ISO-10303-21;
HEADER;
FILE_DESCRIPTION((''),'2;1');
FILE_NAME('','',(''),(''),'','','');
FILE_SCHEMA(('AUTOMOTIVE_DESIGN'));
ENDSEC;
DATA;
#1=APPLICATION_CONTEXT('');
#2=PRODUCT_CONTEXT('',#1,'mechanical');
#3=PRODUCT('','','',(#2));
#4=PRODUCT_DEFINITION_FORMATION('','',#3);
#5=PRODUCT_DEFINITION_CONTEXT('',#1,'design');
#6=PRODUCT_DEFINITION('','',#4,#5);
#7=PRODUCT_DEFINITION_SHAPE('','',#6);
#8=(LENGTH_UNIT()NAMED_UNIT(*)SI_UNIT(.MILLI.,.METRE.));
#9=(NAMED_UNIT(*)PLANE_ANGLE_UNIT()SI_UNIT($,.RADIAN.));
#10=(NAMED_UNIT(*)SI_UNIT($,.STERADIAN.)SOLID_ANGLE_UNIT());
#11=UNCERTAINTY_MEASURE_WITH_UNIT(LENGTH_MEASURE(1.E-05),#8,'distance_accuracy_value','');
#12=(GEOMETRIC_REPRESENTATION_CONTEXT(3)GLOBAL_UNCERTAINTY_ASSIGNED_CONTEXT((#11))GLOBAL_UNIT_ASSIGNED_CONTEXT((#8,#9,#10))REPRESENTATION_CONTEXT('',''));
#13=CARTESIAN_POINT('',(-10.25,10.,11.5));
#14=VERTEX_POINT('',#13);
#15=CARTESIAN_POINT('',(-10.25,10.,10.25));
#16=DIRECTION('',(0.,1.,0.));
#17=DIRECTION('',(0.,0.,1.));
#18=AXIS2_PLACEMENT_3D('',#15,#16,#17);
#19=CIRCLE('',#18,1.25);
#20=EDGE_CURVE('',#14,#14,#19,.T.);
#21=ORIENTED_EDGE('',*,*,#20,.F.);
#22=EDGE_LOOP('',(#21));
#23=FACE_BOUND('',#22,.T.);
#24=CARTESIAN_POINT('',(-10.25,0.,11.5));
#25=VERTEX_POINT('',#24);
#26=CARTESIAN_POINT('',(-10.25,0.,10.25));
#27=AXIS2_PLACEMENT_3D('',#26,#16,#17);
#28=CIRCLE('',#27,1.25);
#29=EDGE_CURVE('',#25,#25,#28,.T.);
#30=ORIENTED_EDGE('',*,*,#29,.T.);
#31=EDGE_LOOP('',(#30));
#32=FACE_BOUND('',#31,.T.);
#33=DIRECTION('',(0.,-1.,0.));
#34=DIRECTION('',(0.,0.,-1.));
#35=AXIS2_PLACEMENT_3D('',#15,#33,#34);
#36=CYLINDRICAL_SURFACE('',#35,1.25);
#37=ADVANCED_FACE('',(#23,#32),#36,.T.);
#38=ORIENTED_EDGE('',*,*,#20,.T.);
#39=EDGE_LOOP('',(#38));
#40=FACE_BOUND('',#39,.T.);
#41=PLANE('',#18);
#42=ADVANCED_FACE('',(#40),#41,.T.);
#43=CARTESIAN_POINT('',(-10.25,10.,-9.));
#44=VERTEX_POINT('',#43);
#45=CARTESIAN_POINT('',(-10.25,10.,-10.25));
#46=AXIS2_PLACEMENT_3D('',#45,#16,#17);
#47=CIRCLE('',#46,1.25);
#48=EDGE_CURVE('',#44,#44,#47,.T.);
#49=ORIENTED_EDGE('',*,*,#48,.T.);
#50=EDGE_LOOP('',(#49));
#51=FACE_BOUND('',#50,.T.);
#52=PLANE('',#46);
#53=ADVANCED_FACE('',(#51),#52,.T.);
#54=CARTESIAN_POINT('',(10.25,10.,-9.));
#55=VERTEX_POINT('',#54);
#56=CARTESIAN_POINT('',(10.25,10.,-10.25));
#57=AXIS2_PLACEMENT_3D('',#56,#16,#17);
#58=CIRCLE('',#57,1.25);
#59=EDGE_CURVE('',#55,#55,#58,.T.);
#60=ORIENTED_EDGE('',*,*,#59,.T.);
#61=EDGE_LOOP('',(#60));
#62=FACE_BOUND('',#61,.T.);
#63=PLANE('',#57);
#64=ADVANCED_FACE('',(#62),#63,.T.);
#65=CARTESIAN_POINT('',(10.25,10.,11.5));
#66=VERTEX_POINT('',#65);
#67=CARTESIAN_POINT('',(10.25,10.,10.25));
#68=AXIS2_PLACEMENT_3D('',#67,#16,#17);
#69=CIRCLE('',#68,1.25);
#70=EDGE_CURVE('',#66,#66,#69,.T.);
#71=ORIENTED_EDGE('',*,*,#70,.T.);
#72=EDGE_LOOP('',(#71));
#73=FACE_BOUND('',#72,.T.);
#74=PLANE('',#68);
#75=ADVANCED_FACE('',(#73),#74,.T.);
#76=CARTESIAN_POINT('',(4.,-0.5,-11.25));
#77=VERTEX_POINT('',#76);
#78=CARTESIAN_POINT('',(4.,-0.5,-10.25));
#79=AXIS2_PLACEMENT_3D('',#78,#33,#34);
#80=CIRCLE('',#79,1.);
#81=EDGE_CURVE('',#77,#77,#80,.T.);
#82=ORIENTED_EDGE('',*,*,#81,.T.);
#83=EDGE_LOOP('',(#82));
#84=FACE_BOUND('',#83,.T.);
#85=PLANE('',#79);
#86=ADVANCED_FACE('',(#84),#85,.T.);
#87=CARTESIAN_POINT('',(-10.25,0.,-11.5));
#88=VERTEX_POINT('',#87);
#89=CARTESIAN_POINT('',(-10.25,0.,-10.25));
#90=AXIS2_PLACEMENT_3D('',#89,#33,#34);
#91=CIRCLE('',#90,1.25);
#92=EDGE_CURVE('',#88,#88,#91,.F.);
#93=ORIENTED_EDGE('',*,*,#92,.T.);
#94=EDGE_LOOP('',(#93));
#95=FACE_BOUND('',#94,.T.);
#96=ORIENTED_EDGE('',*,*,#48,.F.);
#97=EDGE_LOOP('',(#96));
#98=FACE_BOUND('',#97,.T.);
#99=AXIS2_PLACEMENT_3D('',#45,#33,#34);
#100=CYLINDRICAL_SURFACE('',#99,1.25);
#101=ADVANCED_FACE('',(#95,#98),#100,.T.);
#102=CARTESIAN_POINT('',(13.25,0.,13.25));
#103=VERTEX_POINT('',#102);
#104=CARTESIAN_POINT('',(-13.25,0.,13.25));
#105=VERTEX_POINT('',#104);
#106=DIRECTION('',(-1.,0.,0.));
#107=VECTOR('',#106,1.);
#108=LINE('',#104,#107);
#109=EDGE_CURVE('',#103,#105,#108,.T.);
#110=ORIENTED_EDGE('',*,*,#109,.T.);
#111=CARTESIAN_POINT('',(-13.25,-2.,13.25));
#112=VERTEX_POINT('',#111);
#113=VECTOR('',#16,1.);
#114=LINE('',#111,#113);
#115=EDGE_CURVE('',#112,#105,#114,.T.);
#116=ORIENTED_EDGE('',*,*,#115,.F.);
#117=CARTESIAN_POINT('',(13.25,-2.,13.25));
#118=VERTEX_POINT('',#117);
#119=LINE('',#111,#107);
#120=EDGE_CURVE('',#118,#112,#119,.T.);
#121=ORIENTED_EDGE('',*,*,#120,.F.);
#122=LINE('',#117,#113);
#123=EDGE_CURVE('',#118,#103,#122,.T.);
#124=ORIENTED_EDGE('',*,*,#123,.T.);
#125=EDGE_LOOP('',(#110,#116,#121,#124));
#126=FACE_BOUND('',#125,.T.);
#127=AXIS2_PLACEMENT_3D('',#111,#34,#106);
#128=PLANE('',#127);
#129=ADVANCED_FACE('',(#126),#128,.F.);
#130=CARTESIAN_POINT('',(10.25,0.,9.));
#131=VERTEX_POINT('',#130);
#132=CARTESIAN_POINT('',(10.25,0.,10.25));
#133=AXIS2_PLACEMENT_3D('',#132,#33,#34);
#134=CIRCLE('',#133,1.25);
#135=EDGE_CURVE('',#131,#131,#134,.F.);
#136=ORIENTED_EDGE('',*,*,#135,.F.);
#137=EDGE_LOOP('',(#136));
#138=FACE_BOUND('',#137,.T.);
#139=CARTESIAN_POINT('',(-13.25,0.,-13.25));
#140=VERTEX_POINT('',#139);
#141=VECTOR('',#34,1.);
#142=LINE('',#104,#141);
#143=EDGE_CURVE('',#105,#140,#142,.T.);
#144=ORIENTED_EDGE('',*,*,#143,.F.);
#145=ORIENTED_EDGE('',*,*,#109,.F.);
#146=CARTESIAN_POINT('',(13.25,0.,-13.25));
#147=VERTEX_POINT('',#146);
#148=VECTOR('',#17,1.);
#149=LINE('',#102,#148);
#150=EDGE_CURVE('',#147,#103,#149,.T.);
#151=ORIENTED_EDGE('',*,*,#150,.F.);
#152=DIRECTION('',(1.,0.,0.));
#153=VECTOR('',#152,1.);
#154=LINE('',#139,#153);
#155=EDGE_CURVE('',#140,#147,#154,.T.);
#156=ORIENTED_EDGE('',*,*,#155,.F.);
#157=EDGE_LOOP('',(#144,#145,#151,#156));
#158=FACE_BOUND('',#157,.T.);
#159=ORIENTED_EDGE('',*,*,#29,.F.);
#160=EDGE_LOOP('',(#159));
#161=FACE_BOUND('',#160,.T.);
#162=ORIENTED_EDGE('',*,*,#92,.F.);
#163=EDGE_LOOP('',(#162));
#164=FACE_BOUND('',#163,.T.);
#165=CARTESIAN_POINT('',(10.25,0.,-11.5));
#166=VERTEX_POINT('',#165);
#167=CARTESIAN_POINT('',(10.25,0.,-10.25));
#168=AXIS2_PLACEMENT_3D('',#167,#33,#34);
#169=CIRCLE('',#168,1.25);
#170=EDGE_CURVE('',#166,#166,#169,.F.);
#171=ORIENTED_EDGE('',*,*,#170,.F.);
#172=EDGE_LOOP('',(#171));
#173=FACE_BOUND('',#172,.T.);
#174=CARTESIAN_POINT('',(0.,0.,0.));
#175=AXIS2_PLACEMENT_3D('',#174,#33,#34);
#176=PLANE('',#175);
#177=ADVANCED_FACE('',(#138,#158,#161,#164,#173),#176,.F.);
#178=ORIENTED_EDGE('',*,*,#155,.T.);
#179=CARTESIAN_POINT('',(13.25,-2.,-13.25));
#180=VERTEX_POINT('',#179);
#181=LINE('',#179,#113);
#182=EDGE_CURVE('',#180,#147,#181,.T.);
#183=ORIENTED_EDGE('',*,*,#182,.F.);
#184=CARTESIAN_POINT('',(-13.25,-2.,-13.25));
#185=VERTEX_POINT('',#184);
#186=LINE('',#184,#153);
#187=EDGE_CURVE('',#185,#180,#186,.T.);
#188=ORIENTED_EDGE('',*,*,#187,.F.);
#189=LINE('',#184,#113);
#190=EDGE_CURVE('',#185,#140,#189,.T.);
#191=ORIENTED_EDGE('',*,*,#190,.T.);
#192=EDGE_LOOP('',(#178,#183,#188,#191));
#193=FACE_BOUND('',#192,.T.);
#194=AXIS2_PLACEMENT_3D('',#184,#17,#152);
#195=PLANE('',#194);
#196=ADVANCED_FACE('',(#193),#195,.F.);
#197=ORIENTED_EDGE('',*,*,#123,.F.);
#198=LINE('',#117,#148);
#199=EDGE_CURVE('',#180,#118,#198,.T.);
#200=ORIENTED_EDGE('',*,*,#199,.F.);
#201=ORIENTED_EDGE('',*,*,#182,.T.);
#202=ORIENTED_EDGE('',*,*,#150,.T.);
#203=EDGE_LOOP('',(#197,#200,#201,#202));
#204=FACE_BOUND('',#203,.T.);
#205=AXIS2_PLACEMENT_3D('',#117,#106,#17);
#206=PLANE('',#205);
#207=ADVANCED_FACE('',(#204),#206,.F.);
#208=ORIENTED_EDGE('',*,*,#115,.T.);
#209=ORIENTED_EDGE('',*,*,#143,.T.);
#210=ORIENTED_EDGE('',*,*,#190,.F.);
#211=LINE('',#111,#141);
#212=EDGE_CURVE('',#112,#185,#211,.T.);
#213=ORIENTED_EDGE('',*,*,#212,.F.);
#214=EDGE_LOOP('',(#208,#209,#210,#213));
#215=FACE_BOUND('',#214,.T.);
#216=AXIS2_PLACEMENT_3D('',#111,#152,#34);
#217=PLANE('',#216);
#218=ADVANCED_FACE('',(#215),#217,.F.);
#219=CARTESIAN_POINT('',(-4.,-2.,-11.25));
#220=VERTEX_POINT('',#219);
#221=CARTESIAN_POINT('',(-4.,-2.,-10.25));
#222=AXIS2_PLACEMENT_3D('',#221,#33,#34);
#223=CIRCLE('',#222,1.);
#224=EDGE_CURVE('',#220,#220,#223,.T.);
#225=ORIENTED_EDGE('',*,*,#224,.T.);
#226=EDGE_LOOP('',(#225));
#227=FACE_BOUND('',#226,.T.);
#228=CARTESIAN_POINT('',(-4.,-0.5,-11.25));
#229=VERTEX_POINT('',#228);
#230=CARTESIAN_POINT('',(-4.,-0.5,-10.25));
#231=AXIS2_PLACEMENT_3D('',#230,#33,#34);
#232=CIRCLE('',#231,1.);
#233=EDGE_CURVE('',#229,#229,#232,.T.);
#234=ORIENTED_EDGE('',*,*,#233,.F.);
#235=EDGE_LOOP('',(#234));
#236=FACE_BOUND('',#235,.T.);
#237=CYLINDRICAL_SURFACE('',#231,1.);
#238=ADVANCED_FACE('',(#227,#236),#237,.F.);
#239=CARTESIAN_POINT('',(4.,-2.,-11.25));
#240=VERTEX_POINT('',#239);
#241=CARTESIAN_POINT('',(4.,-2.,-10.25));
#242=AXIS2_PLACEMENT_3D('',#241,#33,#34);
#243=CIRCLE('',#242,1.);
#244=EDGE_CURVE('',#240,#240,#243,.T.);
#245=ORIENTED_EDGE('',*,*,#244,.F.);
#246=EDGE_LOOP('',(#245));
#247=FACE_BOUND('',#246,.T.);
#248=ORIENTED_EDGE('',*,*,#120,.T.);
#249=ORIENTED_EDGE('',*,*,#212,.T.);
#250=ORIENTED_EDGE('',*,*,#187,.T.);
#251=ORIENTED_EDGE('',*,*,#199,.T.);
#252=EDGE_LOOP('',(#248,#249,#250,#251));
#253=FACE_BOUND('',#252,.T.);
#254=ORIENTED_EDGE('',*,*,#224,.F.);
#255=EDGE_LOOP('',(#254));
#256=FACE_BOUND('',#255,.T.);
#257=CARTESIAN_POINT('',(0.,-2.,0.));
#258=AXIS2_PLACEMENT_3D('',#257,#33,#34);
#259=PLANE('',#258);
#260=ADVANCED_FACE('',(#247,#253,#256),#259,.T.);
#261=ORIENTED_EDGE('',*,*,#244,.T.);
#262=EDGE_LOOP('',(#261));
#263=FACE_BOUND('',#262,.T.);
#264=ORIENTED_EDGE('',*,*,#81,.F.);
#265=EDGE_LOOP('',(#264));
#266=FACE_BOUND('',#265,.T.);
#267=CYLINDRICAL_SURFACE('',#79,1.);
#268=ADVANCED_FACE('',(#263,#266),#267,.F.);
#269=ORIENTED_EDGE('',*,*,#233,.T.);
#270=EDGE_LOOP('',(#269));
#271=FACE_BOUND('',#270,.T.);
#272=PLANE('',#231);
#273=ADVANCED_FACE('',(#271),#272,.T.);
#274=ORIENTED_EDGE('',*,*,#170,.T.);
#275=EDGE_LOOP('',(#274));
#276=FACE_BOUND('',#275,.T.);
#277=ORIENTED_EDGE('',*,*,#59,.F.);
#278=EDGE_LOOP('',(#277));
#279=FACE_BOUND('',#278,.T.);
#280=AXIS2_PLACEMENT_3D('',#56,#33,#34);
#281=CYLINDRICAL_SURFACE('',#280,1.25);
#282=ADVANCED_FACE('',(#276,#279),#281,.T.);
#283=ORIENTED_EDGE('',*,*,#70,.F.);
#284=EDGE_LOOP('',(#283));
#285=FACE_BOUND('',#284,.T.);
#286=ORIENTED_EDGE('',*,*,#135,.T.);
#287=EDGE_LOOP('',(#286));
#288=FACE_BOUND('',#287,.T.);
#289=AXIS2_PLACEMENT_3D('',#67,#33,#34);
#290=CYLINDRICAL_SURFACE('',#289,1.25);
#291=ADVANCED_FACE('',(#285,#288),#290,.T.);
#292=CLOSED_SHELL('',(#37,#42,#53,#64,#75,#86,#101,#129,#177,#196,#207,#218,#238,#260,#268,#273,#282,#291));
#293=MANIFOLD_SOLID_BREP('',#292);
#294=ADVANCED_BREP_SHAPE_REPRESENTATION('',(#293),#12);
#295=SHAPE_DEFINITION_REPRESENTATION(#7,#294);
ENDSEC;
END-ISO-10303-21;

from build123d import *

# Parameters (mm, degrees)
SKETCH1_R             = 1.25
BOSS_EXTRUDE1_DEPTH   = 10
BOSS_EXTRUDE1_2_DEPTH = 10
BOSS_EXTRUDE1_3_DEPTH = 10
BOSS_EXTRUDE1_4_DEPTH = 10
SKETCH2_W             = 26.5
SKETCH2_H             = 26.5
BOSS_EXTRUDE2_DEPTH   = 2
SKETCH3_R             = 1
CUT_EXTRUDE1_DEPTH    = 1.5


with BuildPart() as part:
    # Sketch1 → Boss-Extrude1 (new body)
    with BuildSketch(Plane(origin=(0, 0, 0), x_dir=(1, 0, 0), z_dir=(0, 1, 0))):
        with Locations(Location((-10.25, -10.25, 0), (0, 0, 270))):
            Circle(SKETCH1_R)
    extrude(amount=BOSS_EXTRUDE1_DEPTH)



with BuildPart() as body_2:
    # Sketch1 → Boss-Extrude1 2 (new body)
    with BuildSketch(Plane(origin=(0, 0, 0), x_dir=(1, 0, 0), z_dir=(0, 1, 0))):
        with Locations(Location((-10.25, 10.25, 0), (0, 0, 270))):
            Circle(SKETCH1_R)
    extrude(amount=BOSS_EXTRUDE1_2_DEPTH)


with BuildPart() as body_3:
    # Sketch1 → Boss-Extrude1 3 (new body)
    with BuildSketch(Plane(origin=(0, 0, 0), x_dir=(1, 0, 0), z_dir=(0, 1, 0))):
        with Locations(Location((10.25, 10.25, 0), (0, 0, 270))):
            Circle(SKETCH1_R)
    extrude(amount=BOSS_EXTRUDE1_3_DEPTH)


with BuildPart() as body_4:
    # Sketch1 → Boss-Extrude1 4 (new body)
    with BuildSketch(Plane(origin=(0, 0, 0), x_dir=(1, 0, 0), z_dir=(0, 1, 0))):
        with Locations(Location((10.25, -10.25, 0), (0, 0, 270))):
            Circle(SKETCH1_R)
    extrude(amount=BOSS_EXTRUDE1_4_DEPTH)


with BuildPart() as part_1:
    add(part.part)

    add(body_2.part)  # Boss-Extrude2 merges body 2

    add(body_3.part)  # Boss-Extrude2 merges body 3

    add(body_4.part)  # Boss-Extrude2 merges body 4
    # Sketch2 → Boss-Extrude2 (add)
    with BuildSketch(Plane.XZ):
        Rectangle(SKETCH2_W, SKETCH2_H)
    extrude(amount=BOSS_EXTRUDE2_DEPTH)

    # Sketch3 → Cut-Extrude1 (cut)
    with BuildSketch(Plane.XZ.offset(2)):
        with Locations(Location((-4, -10.25, 0), (0, 0, 270))):
            Circle(SKETCH3_R)
        with Locations(Location((4, -10.25, 0), (0, 0, 270))):
            Circle(SKETCH3_R)
    extrude(amount=-CUT_EXTRUDE1_DEPTH, mode=Mode.SUBTRACT)


solid = part_1.part
